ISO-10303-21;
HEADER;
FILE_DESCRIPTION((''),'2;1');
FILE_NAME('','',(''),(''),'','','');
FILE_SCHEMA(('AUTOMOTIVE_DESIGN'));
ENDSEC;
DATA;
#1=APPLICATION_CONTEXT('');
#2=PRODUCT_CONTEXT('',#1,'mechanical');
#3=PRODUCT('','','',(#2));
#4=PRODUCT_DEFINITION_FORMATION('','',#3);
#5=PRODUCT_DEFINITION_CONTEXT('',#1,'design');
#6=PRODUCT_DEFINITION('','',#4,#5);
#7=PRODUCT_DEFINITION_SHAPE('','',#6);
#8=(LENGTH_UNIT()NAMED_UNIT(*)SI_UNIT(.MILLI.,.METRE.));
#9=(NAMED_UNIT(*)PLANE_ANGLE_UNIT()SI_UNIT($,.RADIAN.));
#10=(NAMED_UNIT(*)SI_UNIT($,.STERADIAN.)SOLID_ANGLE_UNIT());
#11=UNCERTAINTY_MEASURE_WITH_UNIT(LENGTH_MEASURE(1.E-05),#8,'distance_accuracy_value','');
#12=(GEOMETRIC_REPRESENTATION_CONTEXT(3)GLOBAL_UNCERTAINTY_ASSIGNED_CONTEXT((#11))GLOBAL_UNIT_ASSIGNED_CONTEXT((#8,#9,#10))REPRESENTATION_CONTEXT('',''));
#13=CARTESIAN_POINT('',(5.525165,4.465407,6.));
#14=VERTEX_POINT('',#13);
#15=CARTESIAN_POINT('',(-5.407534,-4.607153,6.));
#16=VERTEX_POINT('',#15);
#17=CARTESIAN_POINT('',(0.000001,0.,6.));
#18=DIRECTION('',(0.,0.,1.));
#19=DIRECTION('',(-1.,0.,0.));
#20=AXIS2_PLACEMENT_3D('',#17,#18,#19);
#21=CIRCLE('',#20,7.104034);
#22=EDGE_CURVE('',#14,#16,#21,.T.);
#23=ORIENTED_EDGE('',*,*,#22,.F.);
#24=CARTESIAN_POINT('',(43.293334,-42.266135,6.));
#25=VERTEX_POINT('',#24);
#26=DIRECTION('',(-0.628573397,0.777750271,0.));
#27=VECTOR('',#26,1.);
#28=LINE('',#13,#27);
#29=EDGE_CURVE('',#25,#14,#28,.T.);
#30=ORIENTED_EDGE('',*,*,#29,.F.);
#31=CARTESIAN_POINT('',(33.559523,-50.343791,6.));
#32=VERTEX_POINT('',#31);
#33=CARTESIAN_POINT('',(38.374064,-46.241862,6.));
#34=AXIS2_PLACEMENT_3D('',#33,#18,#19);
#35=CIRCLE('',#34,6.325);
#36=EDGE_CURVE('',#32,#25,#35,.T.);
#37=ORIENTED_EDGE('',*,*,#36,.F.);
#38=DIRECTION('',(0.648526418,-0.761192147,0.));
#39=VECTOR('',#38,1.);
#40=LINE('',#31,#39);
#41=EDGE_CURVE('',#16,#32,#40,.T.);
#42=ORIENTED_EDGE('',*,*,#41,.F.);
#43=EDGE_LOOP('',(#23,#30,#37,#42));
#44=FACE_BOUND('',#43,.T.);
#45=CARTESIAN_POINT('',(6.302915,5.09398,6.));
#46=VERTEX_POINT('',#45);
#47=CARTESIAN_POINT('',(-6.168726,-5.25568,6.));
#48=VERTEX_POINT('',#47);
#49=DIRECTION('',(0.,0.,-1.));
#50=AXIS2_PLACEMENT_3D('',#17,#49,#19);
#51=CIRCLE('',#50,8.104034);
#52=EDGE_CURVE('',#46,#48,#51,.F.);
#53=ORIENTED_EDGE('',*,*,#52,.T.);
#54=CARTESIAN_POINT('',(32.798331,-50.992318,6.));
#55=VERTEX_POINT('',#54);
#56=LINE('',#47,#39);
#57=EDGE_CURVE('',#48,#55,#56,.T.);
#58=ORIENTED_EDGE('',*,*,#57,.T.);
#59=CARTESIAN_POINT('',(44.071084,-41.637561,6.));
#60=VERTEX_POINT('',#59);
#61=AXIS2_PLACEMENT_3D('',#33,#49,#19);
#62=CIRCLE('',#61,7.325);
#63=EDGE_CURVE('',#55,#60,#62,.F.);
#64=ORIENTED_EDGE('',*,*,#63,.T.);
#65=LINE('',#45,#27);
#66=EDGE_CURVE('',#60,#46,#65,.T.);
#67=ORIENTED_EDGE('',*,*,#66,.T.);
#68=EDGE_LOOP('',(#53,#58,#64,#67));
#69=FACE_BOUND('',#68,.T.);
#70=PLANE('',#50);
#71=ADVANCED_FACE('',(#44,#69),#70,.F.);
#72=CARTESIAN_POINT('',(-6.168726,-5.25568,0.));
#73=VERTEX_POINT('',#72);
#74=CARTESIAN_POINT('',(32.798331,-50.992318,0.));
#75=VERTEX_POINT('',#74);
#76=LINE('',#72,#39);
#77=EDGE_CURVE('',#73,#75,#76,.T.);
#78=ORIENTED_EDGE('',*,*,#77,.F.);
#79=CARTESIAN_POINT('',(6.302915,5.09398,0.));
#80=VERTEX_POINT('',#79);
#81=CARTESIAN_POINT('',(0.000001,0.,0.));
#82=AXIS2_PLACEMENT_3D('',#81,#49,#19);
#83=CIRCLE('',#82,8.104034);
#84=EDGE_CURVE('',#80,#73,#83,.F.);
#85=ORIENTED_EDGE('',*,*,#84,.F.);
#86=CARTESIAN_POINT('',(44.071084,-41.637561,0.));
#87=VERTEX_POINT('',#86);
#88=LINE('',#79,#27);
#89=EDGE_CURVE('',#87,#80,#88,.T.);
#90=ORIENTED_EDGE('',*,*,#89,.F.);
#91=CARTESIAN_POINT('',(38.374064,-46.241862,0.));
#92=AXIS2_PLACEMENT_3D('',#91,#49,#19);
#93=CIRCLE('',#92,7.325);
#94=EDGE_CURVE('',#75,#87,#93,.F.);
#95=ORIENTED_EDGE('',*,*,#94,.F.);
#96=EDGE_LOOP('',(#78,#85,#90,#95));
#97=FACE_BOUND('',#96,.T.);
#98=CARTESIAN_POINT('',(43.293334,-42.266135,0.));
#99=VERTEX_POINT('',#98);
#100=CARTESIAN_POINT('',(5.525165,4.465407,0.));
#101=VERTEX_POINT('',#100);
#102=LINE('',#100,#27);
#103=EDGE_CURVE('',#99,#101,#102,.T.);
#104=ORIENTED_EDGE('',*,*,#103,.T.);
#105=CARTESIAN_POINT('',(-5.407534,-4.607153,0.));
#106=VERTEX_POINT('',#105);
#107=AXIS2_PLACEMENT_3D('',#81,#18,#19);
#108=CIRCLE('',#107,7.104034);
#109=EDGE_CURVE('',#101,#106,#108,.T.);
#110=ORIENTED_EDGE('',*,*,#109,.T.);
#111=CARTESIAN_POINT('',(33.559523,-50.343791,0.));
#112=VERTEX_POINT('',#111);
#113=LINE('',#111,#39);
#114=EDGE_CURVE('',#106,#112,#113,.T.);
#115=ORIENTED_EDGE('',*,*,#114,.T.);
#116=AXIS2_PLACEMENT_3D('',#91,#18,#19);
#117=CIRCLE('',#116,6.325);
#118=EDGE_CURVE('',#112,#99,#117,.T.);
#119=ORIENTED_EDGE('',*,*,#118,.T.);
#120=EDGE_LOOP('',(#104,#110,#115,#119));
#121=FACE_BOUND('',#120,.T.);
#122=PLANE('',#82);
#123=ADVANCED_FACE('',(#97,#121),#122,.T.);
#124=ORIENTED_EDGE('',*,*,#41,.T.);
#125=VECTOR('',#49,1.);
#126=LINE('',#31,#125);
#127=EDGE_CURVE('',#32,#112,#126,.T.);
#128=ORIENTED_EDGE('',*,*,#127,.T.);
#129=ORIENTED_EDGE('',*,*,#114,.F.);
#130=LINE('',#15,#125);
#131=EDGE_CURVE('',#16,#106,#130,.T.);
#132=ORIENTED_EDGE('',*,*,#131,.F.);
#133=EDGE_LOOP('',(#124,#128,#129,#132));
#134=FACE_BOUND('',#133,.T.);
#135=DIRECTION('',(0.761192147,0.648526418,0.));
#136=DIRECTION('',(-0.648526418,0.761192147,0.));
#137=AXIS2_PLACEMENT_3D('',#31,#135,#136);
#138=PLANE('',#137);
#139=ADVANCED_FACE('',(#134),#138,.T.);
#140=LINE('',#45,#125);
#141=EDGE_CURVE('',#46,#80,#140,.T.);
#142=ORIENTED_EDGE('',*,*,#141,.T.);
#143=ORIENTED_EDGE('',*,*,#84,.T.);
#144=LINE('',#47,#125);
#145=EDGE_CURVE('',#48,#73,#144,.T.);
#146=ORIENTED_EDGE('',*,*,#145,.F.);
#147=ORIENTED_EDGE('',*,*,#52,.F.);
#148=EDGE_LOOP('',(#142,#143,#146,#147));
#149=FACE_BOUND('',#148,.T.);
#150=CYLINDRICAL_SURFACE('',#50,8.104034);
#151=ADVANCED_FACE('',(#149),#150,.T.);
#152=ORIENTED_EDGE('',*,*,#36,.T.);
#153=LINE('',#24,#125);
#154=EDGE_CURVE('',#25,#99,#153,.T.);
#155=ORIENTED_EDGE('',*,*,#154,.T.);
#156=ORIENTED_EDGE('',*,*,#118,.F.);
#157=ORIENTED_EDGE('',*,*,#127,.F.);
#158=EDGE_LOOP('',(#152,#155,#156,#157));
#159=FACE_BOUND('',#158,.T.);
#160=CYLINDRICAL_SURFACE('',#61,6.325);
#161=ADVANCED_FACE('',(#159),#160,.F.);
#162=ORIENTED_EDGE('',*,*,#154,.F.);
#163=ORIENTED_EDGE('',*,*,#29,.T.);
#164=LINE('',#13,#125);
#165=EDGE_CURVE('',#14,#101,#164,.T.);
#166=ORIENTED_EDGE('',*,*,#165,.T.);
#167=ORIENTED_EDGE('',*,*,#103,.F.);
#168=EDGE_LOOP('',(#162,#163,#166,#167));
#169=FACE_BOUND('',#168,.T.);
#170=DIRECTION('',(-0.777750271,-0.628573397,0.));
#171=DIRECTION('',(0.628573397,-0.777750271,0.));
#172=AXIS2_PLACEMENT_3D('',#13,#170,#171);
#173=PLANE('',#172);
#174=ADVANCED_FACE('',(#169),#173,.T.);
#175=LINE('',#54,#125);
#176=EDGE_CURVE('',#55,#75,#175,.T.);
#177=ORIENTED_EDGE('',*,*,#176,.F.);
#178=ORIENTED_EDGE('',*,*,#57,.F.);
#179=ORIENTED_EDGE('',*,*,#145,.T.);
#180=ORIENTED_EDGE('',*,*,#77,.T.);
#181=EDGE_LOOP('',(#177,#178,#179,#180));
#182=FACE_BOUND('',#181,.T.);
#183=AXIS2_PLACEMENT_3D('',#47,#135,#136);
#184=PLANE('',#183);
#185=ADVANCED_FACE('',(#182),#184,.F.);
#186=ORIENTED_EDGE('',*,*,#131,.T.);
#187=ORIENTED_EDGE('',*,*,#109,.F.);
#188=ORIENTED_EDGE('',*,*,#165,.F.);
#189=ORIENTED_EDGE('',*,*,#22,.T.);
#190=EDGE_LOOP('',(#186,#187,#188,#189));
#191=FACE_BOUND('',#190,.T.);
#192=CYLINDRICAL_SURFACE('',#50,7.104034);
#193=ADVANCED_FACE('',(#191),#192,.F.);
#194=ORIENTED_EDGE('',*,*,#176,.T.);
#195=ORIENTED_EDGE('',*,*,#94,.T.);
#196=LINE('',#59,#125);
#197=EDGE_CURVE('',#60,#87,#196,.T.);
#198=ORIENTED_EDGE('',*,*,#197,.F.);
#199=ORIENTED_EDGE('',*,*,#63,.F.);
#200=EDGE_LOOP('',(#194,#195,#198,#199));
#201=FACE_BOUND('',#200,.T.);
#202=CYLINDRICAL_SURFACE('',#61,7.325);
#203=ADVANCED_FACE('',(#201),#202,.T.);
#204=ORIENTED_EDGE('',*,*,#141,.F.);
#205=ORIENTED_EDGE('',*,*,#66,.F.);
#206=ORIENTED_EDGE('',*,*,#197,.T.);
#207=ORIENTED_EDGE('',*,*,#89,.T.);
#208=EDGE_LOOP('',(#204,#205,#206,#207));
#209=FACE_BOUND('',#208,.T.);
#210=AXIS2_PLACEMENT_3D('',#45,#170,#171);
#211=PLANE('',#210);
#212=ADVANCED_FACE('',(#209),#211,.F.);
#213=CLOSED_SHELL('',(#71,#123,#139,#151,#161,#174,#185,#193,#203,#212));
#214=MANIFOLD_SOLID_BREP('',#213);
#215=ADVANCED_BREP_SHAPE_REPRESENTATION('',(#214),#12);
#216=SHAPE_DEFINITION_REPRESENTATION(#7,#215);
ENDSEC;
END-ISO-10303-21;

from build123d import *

# Parameters (mm, degrees)
EXTRUDE_1_DEPTH = 6


with BuildPart() as part:
    # 草图2 → 拉伸-薄壁1 (new body)
    with BuildSketch(Plane.XY):
        with BuildLine():
            Line((32.798331051, -50.992317564), (-6.168725965, -5.255679902))
            ThreePointArc((-6.168725965, -5.255679902), (-5.175264059, 6.236344695), (6.302915185, 5.093979982))
            Line((6.302915185, 5.093979982), (44.071084265, -41.637561416))
            ThreePointArc((44.071084265, -41.637561416), (43.051834725, -51.878711881), (32.798331051, -50.992317564))
        make_face()
        with BuildLine():
            Line((33.559523198, -50.343791146), (-5.407533817, -4.607153484))
            ThreePointArc((-5.407533817, -4.607153484), (-4.536660483, 5.466808814), (5.525164914, 4.465406585))
            Line((5.525164914, 4.465406585), (43.293333994, -42.266134813))
            ThreePointArc((43.293333994, -42.266134813), (42.413231149, -51.109176), (33.559523198, -50.343791146))
        make_face(mode=Mode.SUBTRACT)
    extrude(amount=EXTRUDE_1_DEPTH)


solid = part.part
